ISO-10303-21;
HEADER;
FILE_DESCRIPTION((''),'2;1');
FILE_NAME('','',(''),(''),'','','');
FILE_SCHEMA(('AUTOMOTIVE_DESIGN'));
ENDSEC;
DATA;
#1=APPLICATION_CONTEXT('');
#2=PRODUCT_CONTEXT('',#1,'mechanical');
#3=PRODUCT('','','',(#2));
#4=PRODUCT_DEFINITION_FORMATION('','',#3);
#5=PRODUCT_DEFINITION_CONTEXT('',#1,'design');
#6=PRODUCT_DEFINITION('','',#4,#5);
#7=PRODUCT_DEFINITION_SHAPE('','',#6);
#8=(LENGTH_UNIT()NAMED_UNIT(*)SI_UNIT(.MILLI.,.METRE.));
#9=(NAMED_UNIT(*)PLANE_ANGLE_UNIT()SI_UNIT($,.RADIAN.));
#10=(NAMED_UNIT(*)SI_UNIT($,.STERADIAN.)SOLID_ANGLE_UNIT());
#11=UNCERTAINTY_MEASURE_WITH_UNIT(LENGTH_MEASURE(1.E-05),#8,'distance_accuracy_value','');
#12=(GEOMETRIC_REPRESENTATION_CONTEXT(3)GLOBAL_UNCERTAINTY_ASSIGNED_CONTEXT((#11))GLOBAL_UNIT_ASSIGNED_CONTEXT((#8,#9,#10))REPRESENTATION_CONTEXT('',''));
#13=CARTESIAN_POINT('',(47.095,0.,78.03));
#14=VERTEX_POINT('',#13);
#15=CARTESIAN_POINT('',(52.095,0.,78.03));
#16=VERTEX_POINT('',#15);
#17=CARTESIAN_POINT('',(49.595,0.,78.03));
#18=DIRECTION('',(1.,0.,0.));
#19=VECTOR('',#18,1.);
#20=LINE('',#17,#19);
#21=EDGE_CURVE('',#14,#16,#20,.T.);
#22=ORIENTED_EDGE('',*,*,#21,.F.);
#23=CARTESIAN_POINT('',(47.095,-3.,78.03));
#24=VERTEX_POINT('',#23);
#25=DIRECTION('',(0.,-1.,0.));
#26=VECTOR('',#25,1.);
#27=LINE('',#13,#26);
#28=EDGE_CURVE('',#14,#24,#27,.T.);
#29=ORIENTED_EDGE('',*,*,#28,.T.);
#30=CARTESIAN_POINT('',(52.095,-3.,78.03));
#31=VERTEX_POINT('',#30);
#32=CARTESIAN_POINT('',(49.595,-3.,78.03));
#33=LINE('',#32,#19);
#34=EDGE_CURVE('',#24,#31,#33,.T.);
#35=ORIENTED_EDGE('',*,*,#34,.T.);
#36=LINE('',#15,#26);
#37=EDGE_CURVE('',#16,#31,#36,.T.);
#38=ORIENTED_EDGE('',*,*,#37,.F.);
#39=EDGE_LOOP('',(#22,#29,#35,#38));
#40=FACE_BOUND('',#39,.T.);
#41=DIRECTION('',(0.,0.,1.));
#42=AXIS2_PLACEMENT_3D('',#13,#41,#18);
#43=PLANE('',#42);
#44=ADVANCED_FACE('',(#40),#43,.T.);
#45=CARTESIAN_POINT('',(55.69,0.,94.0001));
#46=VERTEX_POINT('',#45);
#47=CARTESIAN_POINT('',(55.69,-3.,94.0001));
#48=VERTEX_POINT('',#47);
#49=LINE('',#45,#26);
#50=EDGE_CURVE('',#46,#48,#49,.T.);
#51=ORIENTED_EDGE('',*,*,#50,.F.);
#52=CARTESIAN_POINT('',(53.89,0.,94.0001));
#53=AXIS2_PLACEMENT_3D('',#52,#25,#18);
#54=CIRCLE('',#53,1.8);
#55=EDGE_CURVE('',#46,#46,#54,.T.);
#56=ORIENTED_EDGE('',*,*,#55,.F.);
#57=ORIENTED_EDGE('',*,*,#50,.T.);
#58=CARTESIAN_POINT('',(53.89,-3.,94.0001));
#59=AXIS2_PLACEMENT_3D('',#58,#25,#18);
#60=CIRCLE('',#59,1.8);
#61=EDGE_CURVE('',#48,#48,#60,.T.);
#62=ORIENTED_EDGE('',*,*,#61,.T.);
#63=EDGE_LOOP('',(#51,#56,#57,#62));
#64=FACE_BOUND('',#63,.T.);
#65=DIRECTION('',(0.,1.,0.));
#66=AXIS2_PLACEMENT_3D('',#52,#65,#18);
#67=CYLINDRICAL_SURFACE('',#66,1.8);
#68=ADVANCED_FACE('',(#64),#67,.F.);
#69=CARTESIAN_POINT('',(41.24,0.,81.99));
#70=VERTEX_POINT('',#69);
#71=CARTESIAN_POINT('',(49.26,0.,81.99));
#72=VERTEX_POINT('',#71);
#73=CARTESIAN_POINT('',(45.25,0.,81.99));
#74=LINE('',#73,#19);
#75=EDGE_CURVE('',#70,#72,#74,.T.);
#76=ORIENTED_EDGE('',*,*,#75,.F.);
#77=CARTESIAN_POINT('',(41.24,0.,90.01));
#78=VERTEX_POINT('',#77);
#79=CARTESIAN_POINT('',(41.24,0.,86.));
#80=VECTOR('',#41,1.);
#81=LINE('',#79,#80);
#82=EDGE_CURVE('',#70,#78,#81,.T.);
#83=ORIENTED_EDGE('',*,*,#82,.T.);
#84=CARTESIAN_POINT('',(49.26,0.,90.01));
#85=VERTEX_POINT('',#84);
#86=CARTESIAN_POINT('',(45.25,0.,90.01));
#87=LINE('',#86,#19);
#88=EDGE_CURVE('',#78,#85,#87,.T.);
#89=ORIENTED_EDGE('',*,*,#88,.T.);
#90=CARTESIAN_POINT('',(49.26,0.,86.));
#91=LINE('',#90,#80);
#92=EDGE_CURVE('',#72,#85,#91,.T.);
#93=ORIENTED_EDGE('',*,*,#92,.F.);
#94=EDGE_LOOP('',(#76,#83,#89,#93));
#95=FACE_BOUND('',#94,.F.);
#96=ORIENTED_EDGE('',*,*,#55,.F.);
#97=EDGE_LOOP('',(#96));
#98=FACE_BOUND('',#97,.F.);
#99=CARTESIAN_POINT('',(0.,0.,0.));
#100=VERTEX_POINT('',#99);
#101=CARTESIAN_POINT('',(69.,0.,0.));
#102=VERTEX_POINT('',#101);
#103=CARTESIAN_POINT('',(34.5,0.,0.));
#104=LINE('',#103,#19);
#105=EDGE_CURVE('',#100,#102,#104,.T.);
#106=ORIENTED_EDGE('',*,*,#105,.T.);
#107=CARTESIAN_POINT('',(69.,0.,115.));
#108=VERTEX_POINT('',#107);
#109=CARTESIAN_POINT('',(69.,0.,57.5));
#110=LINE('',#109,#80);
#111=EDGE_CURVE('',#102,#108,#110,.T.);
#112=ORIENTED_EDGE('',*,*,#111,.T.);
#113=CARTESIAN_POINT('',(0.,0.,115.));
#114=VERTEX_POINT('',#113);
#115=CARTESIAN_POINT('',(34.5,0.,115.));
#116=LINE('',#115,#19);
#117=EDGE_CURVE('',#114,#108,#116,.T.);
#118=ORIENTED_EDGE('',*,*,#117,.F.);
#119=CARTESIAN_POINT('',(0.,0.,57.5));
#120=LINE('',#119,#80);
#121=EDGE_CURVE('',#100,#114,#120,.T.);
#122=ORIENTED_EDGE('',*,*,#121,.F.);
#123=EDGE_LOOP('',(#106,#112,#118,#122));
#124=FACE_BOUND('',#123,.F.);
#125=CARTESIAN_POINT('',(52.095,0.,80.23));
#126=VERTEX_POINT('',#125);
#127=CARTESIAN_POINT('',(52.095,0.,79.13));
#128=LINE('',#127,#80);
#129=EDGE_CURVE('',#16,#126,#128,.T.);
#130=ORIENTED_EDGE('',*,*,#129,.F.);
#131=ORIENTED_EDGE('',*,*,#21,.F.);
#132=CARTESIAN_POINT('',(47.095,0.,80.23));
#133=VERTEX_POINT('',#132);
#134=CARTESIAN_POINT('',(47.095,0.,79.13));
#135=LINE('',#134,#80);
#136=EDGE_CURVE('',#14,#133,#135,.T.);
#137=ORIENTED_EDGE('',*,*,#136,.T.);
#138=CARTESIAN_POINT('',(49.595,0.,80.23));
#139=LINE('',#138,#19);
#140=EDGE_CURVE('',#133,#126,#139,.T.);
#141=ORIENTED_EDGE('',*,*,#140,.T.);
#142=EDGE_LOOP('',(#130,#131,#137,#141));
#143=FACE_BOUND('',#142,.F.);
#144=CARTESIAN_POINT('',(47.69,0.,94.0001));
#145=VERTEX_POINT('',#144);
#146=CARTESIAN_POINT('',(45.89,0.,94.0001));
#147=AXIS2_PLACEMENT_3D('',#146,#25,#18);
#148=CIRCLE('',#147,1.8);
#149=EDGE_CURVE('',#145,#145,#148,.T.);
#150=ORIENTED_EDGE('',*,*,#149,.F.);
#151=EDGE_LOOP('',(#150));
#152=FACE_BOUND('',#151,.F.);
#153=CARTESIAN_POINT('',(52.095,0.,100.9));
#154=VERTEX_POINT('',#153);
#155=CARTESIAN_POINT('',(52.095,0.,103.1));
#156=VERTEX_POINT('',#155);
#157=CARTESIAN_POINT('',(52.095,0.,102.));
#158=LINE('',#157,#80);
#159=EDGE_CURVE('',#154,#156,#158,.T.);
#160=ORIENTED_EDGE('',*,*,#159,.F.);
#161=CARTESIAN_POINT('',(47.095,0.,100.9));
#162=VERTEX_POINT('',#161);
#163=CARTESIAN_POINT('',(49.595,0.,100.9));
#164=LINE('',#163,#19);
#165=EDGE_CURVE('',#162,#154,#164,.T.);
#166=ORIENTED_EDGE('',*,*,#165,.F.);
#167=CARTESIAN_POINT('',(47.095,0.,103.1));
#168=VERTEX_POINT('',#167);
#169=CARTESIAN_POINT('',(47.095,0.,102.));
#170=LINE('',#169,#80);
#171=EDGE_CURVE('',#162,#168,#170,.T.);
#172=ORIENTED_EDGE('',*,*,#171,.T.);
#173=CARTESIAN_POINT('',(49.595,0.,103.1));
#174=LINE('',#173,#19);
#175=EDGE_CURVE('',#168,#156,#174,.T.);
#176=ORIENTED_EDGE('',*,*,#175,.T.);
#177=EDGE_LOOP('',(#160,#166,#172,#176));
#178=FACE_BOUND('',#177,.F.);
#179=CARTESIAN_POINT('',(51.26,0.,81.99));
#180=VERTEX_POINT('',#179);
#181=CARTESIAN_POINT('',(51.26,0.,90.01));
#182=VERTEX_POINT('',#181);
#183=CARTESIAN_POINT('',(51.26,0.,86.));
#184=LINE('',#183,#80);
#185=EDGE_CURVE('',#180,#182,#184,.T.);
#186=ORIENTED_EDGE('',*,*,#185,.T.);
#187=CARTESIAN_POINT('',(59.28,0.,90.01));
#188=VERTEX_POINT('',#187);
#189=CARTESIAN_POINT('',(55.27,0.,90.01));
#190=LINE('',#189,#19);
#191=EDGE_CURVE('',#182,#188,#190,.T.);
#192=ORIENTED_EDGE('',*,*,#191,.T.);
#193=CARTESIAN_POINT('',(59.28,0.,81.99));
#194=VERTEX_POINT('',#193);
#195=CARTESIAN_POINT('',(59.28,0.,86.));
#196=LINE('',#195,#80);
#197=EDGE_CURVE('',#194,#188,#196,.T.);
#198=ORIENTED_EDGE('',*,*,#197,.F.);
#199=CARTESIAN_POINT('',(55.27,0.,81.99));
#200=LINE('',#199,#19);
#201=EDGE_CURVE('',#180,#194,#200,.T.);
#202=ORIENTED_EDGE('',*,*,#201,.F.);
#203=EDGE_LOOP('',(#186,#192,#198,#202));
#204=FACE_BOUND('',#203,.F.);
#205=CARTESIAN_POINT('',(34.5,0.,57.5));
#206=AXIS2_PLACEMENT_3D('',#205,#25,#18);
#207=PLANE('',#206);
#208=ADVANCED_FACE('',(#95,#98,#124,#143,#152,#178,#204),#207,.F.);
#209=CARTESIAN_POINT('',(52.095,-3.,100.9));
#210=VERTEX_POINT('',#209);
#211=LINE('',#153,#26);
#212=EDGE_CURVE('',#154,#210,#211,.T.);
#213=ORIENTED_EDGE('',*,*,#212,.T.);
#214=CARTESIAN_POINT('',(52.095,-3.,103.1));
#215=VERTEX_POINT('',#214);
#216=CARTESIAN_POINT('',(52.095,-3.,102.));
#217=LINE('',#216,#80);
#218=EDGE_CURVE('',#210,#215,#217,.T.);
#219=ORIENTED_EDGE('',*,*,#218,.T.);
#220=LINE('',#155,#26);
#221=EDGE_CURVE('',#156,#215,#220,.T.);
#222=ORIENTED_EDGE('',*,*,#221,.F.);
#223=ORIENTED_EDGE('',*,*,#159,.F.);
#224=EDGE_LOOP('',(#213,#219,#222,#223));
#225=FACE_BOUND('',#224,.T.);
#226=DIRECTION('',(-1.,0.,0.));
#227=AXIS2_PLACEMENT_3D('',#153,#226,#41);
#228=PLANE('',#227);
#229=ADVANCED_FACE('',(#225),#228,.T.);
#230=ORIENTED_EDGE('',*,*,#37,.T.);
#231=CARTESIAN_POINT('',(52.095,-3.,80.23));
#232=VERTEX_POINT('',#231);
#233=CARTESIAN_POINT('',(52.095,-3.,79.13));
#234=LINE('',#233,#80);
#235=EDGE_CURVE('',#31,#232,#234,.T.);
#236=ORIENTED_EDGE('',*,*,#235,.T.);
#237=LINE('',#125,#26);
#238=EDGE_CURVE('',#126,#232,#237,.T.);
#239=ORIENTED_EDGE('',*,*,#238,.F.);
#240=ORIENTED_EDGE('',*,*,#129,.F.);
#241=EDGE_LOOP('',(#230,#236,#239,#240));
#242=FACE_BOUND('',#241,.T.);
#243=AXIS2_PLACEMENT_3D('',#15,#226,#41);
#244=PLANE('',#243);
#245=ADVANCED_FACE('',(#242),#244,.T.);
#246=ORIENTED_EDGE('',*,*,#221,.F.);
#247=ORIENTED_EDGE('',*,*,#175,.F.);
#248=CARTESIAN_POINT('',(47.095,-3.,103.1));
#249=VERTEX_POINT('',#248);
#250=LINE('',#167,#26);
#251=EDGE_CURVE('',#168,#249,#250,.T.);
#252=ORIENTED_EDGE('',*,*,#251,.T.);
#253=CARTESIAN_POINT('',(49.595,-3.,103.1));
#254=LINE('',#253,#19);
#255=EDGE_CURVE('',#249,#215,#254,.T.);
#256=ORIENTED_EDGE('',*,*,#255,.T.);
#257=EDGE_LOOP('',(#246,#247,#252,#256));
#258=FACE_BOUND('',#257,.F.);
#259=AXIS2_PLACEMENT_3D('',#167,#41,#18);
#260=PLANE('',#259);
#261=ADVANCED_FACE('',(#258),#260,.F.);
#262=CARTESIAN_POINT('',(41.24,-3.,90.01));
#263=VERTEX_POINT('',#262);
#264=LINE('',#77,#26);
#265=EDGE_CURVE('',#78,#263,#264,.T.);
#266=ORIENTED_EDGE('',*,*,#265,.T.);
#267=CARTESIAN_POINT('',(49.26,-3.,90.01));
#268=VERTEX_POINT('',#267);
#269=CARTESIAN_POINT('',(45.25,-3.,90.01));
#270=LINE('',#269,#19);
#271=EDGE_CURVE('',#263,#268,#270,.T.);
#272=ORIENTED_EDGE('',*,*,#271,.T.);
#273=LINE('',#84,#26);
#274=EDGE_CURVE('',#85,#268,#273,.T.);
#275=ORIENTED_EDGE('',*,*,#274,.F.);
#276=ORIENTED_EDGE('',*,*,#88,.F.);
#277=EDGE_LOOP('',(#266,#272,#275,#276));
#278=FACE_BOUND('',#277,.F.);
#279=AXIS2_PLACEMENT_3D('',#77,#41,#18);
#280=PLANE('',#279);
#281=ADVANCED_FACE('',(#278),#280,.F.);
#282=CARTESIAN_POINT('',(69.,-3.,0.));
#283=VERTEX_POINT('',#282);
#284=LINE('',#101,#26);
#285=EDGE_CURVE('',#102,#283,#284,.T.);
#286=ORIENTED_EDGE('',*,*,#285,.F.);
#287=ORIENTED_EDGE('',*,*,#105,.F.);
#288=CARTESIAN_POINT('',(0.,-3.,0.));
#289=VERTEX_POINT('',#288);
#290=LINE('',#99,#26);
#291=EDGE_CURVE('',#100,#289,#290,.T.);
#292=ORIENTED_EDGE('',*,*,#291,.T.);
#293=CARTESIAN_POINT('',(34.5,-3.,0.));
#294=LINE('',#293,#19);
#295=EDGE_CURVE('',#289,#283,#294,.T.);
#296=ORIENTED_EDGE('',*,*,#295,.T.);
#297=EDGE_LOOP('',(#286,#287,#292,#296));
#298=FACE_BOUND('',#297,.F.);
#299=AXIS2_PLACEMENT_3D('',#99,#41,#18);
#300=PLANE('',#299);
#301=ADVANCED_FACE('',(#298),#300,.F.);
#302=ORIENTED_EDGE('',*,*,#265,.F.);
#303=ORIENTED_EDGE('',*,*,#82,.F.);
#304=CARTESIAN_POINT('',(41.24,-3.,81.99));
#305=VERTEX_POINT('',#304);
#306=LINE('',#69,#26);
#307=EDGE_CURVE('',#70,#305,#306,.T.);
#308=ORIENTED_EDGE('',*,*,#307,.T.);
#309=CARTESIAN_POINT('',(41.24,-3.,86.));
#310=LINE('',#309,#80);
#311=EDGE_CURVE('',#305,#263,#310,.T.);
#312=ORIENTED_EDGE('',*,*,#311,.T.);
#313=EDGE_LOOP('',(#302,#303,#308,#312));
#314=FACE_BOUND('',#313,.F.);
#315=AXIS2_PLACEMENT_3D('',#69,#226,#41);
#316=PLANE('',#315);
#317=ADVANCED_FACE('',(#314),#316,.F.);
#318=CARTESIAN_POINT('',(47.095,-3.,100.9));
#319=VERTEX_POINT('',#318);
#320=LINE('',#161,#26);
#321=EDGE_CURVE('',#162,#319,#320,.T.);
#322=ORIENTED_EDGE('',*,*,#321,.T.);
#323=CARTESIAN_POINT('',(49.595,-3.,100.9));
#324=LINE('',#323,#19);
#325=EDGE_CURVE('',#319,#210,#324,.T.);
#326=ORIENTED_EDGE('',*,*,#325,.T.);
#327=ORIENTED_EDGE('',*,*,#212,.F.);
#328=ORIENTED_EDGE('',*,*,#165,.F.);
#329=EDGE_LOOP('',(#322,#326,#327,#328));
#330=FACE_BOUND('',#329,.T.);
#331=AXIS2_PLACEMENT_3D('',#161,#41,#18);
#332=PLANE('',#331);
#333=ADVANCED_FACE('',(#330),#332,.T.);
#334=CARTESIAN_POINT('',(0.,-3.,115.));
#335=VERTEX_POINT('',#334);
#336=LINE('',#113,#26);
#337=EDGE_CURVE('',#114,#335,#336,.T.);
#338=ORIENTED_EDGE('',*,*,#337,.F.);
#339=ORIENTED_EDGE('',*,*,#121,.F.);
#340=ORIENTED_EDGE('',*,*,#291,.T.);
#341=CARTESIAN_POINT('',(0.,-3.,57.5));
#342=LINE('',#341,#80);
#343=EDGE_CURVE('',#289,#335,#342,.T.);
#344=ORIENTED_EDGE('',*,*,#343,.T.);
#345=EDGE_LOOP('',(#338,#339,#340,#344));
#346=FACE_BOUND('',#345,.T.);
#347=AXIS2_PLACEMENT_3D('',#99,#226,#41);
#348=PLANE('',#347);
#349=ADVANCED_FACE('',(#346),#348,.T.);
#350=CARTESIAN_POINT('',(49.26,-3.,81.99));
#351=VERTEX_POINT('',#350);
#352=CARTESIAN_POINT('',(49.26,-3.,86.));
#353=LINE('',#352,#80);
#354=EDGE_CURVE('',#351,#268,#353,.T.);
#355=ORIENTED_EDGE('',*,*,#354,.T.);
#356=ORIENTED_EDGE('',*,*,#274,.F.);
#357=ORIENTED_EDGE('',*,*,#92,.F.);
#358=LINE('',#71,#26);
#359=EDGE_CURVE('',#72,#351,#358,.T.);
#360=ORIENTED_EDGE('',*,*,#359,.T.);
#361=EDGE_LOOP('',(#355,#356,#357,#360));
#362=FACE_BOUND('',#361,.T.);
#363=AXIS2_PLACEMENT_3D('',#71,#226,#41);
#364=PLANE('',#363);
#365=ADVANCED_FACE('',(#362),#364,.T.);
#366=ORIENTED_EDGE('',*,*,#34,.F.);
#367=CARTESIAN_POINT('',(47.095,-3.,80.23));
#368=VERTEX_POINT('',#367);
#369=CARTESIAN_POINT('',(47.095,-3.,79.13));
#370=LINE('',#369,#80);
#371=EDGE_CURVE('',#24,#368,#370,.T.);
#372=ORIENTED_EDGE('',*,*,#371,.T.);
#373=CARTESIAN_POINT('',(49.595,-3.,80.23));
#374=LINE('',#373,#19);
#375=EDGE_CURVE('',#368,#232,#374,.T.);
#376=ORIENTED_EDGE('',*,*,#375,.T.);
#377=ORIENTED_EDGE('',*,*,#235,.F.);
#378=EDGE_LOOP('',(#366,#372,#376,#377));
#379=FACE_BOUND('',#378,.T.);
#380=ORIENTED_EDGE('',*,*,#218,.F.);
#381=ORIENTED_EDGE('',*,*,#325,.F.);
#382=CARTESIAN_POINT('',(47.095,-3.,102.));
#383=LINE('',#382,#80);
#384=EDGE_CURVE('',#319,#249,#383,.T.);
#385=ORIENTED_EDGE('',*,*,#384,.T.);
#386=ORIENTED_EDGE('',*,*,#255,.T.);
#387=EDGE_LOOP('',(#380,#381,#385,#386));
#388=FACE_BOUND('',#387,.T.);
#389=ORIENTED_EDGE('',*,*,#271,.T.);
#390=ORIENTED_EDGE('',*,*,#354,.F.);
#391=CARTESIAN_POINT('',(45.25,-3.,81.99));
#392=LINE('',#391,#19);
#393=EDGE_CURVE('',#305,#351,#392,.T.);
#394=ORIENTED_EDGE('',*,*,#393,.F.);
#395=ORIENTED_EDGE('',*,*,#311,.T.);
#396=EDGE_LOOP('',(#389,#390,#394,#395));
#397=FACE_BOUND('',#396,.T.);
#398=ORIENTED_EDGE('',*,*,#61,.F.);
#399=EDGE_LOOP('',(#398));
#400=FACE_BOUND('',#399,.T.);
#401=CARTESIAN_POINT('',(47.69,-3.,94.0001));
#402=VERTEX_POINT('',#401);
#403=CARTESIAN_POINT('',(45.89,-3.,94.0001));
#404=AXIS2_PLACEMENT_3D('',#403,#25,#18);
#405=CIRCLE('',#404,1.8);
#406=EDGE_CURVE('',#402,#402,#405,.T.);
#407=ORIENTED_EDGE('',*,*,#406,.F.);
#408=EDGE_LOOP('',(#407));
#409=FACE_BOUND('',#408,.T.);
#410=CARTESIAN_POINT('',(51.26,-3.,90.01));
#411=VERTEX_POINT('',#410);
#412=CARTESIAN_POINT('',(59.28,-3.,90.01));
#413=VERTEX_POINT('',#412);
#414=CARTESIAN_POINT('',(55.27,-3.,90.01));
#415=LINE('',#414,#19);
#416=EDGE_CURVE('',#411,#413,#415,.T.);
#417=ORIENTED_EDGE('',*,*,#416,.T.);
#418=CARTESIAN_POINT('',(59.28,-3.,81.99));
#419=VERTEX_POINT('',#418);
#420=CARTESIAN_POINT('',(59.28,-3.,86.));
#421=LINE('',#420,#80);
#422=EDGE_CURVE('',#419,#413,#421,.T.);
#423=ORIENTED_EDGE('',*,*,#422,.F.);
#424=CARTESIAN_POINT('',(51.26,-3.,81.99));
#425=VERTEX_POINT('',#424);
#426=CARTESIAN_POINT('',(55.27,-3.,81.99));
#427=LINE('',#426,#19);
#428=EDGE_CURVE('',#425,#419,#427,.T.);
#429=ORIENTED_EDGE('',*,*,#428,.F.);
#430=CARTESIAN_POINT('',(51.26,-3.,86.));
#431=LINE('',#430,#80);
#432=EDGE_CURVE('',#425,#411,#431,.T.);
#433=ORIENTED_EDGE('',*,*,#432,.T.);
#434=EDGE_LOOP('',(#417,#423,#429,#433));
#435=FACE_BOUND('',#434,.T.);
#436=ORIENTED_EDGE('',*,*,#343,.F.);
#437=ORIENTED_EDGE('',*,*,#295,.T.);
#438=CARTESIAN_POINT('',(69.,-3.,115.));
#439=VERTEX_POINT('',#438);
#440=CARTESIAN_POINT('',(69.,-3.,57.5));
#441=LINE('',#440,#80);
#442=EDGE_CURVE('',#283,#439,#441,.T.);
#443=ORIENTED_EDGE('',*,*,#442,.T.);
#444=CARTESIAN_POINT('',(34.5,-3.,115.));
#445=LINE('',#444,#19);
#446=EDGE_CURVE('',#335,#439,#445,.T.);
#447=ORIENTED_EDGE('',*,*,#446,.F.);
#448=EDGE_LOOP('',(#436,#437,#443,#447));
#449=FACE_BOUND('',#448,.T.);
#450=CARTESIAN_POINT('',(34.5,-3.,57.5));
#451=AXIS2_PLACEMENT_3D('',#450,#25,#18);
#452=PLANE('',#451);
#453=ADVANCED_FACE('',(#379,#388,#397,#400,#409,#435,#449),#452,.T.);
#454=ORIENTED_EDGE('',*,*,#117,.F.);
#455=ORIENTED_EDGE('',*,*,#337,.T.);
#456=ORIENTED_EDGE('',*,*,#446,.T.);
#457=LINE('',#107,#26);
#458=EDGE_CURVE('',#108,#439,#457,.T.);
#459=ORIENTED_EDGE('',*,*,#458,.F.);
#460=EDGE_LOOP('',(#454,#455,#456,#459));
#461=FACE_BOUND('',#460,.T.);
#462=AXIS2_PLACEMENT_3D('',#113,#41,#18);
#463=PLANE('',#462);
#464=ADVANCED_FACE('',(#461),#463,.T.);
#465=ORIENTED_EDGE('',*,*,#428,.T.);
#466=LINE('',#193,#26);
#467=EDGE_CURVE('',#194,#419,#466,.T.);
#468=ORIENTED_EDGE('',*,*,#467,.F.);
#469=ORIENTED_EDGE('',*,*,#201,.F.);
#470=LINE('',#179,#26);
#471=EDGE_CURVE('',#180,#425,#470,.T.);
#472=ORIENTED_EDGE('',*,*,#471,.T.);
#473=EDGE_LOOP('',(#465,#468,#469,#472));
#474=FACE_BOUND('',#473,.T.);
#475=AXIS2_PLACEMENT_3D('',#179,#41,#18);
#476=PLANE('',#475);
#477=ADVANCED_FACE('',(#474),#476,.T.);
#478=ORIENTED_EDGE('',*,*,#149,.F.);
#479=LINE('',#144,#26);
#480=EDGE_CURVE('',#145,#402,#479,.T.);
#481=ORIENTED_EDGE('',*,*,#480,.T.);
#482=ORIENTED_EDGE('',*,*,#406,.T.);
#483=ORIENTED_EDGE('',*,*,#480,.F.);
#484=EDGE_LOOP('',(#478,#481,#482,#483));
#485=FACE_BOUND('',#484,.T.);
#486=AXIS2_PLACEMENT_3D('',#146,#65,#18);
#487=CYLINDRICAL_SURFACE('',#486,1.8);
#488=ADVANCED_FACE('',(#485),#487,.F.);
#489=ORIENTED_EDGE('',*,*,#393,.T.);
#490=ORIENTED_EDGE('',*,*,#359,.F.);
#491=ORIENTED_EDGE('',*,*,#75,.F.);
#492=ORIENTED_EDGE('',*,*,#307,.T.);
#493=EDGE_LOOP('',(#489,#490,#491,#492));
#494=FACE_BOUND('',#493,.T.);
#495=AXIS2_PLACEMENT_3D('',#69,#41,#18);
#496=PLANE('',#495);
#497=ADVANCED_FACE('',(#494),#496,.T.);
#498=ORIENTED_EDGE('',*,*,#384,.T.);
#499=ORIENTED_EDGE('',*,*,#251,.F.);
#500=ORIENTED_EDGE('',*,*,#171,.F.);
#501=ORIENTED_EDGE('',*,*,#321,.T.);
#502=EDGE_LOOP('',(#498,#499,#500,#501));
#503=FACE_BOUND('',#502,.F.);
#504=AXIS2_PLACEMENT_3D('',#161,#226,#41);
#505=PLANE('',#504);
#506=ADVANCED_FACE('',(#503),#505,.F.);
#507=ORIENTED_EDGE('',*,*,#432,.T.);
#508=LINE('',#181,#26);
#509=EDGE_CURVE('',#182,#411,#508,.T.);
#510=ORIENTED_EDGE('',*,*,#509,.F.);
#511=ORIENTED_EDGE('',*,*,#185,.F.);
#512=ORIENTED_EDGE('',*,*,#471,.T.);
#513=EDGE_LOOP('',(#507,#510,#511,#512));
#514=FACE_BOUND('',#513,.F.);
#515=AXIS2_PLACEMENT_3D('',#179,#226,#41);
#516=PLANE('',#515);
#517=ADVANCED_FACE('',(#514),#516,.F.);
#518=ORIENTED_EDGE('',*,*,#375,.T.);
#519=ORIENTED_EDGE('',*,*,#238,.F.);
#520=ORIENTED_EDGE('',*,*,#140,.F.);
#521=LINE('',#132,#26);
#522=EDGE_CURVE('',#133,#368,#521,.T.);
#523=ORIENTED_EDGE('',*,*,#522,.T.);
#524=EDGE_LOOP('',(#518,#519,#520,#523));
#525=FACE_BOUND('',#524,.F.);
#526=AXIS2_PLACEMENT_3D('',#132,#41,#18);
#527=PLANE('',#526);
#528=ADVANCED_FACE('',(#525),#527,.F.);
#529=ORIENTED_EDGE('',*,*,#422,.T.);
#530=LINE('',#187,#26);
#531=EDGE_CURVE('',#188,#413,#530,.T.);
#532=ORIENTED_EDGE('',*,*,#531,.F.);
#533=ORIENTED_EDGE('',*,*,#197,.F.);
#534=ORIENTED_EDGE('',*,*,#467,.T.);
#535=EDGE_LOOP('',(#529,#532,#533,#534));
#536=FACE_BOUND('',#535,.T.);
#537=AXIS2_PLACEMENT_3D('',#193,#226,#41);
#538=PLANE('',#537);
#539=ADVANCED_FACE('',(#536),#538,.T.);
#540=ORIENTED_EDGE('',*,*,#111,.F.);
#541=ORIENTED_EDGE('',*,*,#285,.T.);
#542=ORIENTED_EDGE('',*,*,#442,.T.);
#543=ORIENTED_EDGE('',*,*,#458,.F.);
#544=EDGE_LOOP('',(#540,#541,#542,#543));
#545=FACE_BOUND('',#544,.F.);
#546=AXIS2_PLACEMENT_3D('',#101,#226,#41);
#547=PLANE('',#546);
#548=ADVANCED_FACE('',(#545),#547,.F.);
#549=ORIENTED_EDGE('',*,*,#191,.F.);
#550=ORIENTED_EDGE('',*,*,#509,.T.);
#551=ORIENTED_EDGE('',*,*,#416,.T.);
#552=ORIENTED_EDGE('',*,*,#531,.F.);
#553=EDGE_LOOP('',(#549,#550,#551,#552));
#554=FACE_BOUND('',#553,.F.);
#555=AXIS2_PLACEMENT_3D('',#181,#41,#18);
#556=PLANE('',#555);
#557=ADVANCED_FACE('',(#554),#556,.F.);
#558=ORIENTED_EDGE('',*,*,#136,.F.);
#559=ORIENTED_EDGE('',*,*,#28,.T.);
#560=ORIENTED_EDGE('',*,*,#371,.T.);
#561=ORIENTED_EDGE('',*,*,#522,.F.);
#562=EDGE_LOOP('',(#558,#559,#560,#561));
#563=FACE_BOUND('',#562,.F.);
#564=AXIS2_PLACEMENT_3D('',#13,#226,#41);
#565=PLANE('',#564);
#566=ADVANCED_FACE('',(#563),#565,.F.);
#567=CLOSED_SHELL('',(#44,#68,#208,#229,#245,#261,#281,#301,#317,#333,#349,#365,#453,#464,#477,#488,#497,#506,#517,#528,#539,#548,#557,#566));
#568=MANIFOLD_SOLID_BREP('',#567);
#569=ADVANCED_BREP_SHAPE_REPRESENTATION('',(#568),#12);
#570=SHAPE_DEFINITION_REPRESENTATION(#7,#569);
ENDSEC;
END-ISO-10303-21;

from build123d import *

# Parameters (mm, degrees)
F0_W     = 69
F0_H     = 115
F0_W_2   = 8.02
F0_H_2   = 8.02
F0_W_3   = 5
F0_H_3   = 2.2
F0_R     = 1.8
F1_DEPTH = 3


with BuildPart() as f1:
    # F0 (on Front) → F1 (new body)
    with BuildSketch(Plane.XZ):
        with Locations((34.5, 57.5)):
            Rectangle(F0_W, F0_H)
        with Locations((45.25, 86)):
            Rectangle(F0_W_2, F0_H_2, mode=Mode.SUBTRACT)
        with Locations((49.595, 79.13)):
            Rectangle(F0_W_3, F0_H_3, mode=Mode.SUBTRACT)
        with Locations((55.27, 86)):
            Rectangle(F0_W_2, F0_H_2, mode=Mode.SUBTRACT)
        with Locations((45.89, 94.0001)):
            Circle(F0_R, mode=Mode.SUBTRACT)
        with Locations((49.595, 102)):
            Rectangle(F0_W_3, F0_H_3, mode=Mode.SUBTRACT)
        with Locations((53.89, 94.0001)):
            Circle(F0_R, mode=Mode.SUBTRACT)
    extrude(amount=F1_DEPTH)


solid = f1.part
